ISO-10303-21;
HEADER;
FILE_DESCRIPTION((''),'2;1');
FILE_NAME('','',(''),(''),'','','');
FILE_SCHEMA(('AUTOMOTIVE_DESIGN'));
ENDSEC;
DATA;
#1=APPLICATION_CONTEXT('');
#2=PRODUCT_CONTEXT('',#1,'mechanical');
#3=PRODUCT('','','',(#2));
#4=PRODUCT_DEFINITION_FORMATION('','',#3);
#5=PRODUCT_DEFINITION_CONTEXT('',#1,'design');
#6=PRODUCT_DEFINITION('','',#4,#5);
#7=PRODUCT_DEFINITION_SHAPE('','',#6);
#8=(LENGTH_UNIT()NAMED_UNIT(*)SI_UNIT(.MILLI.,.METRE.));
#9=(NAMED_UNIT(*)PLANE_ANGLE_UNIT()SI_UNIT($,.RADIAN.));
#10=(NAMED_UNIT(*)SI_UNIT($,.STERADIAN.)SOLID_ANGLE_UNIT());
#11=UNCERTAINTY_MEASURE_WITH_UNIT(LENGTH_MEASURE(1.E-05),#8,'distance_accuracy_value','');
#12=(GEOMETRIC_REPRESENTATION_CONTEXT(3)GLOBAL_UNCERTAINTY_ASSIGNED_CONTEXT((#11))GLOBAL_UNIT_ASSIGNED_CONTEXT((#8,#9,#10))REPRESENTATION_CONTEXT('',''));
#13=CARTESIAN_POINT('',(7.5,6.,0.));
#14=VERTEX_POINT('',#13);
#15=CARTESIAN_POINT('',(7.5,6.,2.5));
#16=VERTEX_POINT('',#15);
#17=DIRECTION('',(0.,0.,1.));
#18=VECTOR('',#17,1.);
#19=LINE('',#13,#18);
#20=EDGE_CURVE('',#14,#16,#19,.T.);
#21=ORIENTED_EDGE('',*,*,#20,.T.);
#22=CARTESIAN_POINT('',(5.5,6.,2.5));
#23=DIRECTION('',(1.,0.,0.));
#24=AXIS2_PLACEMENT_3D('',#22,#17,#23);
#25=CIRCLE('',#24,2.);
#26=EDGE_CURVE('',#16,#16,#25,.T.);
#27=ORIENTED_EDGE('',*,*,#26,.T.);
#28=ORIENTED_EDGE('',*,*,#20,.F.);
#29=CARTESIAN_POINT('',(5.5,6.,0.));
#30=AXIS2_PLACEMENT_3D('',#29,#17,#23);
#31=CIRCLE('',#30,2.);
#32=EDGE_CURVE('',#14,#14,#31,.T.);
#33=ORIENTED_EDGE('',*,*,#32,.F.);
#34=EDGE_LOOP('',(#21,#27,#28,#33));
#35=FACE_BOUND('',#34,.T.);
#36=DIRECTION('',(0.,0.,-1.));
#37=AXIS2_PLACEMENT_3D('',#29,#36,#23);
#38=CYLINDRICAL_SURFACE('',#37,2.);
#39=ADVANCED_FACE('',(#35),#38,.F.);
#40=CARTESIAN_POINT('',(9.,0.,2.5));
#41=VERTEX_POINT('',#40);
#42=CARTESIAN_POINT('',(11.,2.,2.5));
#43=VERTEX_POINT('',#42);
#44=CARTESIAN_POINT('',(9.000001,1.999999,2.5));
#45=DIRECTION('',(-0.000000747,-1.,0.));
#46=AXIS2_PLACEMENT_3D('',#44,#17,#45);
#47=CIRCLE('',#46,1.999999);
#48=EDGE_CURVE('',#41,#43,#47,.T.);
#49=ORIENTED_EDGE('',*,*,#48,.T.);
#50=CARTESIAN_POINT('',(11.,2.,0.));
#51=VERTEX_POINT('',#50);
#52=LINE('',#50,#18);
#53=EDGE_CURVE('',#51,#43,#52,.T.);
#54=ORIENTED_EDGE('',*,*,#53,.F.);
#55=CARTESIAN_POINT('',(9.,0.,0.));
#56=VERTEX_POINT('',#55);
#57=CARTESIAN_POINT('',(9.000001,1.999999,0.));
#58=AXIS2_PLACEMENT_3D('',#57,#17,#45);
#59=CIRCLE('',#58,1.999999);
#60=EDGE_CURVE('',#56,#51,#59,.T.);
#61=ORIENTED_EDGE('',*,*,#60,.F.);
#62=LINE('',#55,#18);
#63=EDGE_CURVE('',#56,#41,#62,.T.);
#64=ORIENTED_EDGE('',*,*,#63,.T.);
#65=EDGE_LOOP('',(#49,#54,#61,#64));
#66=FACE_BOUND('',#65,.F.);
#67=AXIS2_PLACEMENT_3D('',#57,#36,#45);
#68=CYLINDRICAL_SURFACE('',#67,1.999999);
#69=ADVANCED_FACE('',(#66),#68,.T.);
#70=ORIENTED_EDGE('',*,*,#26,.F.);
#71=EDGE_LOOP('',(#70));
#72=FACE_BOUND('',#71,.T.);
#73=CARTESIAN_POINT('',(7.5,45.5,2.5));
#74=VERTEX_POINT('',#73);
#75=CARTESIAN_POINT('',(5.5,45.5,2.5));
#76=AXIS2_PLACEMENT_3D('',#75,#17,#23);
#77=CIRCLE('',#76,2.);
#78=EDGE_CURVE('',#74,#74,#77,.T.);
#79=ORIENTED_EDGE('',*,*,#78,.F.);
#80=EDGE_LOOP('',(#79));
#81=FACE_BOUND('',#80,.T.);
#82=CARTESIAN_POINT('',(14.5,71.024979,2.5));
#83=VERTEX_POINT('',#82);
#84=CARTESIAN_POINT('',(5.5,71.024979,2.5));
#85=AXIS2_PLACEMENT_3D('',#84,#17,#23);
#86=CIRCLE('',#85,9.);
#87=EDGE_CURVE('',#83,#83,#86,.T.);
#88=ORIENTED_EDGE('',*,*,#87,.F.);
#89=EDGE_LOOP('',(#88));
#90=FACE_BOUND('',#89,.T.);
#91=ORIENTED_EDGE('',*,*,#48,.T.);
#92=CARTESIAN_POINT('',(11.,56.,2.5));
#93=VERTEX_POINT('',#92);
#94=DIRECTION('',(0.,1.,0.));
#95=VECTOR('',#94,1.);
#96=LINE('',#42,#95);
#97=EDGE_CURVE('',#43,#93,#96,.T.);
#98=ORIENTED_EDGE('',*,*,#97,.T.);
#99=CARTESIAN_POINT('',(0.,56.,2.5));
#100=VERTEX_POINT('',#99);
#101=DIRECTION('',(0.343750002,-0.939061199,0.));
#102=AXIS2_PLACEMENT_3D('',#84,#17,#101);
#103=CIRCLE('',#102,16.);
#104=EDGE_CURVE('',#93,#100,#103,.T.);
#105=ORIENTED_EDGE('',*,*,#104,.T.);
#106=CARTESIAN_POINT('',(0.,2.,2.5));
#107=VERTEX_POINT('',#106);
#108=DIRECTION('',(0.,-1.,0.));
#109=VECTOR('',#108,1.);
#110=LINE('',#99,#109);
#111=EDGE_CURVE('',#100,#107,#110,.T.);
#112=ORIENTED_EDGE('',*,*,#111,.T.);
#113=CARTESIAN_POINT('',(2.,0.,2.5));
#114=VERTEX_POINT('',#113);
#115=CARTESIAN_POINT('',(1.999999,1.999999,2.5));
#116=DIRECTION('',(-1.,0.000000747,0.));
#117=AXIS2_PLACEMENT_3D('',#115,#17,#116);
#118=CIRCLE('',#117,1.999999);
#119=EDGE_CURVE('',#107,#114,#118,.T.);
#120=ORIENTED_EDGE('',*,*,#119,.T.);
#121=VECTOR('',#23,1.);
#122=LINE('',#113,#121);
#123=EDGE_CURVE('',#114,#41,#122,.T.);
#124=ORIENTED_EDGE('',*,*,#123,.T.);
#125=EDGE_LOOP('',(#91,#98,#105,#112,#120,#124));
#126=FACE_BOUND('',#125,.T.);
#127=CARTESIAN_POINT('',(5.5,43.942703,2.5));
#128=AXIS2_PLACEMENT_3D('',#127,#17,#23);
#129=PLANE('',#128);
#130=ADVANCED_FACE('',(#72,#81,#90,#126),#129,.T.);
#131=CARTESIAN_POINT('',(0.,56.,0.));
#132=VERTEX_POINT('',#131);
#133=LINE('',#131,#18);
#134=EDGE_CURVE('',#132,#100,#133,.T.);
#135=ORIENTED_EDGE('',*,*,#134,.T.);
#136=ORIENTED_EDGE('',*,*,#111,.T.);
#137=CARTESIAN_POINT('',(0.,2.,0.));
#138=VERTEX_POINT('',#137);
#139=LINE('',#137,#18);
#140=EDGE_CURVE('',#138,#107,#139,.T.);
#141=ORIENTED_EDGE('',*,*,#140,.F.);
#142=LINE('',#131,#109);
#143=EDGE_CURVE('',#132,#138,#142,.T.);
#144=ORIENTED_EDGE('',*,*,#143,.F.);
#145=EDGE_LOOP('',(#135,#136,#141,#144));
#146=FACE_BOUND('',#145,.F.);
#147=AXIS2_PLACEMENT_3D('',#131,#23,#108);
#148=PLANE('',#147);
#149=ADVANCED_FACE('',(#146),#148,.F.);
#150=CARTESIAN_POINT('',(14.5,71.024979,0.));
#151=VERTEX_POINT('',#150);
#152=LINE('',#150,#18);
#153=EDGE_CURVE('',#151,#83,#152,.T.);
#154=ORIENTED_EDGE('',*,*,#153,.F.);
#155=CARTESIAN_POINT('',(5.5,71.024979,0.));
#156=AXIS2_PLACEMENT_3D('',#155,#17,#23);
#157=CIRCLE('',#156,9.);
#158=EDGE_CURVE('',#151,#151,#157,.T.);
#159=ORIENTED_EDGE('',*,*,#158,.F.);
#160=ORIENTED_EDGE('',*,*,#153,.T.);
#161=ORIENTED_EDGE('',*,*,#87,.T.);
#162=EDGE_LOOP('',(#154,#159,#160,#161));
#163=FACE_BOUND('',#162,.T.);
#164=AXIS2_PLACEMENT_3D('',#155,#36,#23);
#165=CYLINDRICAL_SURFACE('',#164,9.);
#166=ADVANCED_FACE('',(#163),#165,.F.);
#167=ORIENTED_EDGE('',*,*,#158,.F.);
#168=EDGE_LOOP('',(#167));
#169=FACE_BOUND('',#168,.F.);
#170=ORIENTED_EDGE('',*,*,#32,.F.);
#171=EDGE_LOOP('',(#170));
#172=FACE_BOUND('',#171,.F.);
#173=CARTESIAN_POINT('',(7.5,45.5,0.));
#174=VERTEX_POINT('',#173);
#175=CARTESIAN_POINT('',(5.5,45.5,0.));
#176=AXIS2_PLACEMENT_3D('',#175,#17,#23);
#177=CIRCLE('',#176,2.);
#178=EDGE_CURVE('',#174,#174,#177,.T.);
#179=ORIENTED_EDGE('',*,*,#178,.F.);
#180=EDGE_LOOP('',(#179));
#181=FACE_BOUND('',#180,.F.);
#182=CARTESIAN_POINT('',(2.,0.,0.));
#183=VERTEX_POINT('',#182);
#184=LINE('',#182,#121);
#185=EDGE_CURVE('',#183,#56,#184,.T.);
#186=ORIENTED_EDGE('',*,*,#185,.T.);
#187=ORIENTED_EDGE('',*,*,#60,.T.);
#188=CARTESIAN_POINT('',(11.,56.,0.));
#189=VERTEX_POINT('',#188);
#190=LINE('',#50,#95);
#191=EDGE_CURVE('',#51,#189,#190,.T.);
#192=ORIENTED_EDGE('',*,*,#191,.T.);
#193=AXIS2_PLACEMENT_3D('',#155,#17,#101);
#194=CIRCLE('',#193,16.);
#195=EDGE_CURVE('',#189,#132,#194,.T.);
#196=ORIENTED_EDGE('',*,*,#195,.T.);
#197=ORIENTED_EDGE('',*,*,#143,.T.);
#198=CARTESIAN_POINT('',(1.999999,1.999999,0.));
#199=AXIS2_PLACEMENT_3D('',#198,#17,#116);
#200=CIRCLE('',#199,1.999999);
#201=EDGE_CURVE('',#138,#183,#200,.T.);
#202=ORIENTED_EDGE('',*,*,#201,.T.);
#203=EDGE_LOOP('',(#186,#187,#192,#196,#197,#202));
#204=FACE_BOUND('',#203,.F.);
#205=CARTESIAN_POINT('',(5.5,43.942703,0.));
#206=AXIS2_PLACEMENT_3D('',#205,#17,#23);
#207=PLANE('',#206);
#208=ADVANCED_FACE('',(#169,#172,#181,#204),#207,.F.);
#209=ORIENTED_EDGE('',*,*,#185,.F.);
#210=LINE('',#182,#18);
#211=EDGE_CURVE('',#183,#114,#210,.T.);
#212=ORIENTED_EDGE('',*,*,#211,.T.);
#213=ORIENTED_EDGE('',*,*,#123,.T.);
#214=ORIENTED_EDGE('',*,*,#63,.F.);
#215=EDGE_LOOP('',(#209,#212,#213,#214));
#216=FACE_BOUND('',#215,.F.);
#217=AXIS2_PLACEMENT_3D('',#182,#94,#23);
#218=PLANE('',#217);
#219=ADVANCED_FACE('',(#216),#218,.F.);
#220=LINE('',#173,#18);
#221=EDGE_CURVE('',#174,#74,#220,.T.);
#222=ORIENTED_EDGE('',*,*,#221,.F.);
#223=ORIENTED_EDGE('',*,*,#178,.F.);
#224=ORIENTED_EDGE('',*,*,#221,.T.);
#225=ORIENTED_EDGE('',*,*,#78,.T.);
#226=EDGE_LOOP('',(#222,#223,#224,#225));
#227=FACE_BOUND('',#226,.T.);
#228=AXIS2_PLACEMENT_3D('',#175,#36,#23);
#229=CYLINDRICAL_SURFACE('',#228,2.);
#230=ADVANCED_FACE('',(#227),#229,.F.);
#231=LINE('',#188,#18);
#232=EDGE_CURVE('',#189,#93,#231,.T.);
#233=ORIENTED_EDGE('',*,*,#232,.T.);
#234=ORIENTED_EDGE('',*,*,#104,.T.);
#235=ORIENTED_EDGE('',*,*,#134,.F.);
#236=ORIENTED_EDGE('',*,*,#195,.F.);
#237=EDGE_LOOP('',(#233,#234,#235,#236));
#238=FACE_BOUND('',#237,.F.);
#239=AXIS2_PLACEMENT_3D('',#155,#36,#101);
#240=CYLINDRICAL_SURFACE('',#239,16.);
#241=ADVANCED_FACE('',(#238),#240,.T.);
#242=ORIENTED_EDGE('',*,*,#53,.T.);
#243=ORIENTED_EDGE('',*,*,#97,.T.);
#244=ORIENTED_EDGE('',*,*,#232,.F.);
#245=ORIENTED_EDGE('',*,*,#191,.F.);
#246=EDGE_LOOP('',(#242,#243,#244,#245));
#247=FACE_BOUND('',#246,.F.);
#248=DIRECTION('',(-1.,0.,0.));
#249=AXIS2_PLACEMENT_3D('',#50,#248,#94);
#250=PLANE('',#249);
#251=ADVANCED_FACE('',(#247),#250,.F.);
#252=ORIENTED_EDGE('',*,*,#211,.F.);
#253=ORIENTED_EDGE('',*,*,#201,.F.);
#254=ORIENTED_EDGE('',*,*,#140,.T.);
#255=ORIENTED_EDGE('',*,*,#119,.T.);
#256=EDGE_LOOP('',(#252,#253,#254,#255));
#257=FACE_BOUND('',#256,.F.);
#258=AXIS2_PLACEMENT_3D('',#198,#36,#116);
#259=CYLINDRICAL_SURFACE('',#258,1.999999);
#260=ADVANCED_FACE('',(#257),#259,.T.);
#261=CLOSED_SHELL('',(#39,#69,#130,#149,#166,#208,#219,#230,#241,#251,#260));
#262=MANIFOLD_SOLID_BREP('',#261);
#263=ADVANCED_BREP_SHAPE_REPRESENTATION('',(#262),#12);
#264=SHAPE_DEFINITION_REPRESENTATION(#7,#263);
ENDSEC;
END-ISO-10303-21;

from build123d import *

# Parameters (mm, degrees)
F0_R     = 2
F0_R_2   = 9
F1_DEPTH = 2.5


with BuildPart() as f1:
    # F0 (on Top) → F1 (new body)
    with BuildSketch(Plane.XY):
        with BuildLine():
            ThreePointArc((0, 2), (0.585786, 0.585786), (2, 0))
            Line((2, 0), (9, 0))
            ThreePointArc((9, 0), (10.414214, 0.585786), (11, 2))
            Line((11, 2), (11, 56))
            ThreePointArc((11, 56), (5.5, 87.024979), (0, 56))
            Line((0, 56), (0, 2))
        make_face()
        with Locations((5.5, 6)):
            Circle(F0_R, mode=Mode.SUBTRACT)
        with Locations((5.5, 45.5)):
            Circle(F0_R, mode=Mode.SUBTRACT)
        with Locations((5.5, 71.024979)):
            Circle(F0_R_2, mode=Mode.SUBTRACT)
    extrude(amount=F1_DEPTH)


solid = f1.part
